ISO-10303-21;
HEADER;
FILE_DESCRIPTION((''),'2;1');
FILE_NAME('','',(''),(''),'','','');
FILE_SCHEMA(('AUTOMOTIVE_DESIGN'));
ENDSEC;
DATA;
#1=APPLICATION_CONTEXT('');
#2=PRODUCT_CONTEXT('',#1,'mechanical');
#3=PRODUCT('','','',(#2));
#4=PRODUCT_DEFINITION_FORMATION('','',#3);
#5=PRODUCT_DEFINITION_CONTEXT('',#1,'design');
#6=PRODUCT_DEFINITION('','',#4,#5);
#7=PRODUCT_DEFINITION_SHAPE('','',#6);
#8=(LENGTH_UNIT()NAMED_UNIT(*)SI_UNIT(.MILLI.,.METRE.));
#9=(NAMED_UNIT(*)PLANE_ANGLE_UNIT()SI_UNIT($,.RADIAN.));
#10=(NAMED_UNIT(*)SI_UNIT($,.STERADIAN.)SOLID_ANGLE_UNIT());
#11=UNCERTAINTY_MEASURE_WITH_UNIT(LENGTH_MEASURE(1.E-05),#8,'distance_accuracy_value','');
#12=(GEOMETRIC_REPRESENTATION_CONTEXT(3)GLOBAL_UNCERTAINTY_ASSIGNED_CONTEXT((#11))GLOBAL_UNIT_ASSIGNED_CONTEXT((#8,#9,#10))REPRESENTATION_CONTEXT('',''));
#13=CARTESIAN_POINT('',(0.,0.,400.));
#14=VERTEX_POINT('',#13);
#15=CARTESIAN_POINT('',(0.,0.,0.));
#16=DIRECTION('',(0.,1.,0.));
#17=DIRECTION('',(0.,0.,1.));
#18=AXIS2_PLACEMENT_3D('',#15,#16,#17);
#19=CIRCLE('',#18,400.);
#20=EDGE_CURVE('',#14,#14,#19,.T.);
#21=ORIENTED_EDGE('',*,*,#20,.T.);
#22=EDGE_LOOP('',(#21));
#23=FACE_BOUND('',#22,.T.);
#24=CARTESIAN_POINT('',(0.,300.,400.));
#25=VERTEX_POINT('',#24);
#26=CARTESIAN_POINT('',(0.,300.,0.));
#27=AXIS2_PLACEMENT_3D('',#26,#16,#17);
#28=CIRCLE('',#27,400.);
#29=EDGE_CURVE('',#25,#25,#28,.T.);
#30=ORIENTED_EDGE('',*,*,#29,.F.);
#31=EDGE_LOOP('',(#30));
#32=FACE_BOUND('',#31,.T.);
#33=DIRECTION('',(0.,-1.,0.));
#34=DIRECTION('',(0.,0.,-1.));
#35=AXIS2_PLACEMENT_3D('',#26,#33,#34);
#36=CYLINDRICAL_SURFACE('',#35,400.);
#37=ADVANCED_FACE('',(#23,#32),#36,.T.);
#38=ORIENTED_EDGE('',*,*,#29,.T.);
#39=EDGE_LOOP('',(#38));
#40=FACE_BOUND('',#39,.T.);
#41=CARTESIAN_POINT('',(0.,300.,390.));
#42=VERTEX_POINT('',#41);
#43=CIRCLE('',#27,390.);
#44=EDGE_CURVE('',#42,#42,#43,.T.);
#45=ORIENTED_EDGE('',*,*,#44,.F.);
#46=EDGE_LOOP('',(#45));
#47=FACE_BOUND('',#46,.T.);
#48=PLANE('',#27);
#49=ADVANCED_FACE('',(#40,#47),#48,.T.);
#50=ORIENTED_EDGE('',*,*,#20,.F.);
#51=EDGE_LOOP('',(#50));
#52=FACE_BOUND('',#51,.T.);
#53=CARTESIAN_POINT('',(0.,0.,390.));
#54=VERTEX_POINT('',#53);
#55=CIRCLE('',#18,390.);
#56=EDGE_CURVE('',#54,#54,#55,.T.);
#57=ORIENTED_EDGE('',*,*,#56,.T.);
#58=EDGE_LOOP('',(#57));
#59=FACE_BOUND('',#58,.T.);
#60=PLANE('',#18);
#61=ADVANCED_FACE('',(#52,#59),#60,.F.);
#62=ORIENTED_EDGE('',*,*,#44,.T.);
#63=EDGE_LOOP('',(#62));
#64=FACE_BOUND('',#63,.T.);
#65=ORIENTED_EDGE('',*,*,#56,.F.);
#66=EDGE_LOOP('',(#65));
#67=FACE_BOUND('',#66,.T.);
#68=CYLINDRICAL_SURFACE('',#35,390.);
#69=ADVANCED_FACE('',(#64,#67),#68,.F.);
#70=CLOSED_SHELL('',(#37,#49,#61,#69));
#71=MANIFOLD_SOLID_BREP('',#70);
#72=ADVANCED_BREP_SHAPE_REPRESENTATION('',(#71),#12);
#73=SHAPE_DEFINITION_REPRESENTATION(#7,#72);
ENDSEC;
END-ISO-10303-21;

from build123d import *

# Parameters (mm, degrees)
SKETCH1_R           = 400
SKETCH1_R_2         = 390
BOSS_EXTRUDE1_DEPTH = 300


with BuildPart() as part:
    # Sketch1 → Boss-Extrude1 (new body)
    with BuildSketch(Plane(origin=(0, 0, 0), x_dir=(1, 0, 0), z_dir=(0, 1, 0))):
        Circle(SKETCH1_R)
        Circle(SKETCH1_R_2, mode=Mode.SUBTRACT)
    extrude(amount=BOSS_EXTRUDE1_DEPTH)


solid = part.part
